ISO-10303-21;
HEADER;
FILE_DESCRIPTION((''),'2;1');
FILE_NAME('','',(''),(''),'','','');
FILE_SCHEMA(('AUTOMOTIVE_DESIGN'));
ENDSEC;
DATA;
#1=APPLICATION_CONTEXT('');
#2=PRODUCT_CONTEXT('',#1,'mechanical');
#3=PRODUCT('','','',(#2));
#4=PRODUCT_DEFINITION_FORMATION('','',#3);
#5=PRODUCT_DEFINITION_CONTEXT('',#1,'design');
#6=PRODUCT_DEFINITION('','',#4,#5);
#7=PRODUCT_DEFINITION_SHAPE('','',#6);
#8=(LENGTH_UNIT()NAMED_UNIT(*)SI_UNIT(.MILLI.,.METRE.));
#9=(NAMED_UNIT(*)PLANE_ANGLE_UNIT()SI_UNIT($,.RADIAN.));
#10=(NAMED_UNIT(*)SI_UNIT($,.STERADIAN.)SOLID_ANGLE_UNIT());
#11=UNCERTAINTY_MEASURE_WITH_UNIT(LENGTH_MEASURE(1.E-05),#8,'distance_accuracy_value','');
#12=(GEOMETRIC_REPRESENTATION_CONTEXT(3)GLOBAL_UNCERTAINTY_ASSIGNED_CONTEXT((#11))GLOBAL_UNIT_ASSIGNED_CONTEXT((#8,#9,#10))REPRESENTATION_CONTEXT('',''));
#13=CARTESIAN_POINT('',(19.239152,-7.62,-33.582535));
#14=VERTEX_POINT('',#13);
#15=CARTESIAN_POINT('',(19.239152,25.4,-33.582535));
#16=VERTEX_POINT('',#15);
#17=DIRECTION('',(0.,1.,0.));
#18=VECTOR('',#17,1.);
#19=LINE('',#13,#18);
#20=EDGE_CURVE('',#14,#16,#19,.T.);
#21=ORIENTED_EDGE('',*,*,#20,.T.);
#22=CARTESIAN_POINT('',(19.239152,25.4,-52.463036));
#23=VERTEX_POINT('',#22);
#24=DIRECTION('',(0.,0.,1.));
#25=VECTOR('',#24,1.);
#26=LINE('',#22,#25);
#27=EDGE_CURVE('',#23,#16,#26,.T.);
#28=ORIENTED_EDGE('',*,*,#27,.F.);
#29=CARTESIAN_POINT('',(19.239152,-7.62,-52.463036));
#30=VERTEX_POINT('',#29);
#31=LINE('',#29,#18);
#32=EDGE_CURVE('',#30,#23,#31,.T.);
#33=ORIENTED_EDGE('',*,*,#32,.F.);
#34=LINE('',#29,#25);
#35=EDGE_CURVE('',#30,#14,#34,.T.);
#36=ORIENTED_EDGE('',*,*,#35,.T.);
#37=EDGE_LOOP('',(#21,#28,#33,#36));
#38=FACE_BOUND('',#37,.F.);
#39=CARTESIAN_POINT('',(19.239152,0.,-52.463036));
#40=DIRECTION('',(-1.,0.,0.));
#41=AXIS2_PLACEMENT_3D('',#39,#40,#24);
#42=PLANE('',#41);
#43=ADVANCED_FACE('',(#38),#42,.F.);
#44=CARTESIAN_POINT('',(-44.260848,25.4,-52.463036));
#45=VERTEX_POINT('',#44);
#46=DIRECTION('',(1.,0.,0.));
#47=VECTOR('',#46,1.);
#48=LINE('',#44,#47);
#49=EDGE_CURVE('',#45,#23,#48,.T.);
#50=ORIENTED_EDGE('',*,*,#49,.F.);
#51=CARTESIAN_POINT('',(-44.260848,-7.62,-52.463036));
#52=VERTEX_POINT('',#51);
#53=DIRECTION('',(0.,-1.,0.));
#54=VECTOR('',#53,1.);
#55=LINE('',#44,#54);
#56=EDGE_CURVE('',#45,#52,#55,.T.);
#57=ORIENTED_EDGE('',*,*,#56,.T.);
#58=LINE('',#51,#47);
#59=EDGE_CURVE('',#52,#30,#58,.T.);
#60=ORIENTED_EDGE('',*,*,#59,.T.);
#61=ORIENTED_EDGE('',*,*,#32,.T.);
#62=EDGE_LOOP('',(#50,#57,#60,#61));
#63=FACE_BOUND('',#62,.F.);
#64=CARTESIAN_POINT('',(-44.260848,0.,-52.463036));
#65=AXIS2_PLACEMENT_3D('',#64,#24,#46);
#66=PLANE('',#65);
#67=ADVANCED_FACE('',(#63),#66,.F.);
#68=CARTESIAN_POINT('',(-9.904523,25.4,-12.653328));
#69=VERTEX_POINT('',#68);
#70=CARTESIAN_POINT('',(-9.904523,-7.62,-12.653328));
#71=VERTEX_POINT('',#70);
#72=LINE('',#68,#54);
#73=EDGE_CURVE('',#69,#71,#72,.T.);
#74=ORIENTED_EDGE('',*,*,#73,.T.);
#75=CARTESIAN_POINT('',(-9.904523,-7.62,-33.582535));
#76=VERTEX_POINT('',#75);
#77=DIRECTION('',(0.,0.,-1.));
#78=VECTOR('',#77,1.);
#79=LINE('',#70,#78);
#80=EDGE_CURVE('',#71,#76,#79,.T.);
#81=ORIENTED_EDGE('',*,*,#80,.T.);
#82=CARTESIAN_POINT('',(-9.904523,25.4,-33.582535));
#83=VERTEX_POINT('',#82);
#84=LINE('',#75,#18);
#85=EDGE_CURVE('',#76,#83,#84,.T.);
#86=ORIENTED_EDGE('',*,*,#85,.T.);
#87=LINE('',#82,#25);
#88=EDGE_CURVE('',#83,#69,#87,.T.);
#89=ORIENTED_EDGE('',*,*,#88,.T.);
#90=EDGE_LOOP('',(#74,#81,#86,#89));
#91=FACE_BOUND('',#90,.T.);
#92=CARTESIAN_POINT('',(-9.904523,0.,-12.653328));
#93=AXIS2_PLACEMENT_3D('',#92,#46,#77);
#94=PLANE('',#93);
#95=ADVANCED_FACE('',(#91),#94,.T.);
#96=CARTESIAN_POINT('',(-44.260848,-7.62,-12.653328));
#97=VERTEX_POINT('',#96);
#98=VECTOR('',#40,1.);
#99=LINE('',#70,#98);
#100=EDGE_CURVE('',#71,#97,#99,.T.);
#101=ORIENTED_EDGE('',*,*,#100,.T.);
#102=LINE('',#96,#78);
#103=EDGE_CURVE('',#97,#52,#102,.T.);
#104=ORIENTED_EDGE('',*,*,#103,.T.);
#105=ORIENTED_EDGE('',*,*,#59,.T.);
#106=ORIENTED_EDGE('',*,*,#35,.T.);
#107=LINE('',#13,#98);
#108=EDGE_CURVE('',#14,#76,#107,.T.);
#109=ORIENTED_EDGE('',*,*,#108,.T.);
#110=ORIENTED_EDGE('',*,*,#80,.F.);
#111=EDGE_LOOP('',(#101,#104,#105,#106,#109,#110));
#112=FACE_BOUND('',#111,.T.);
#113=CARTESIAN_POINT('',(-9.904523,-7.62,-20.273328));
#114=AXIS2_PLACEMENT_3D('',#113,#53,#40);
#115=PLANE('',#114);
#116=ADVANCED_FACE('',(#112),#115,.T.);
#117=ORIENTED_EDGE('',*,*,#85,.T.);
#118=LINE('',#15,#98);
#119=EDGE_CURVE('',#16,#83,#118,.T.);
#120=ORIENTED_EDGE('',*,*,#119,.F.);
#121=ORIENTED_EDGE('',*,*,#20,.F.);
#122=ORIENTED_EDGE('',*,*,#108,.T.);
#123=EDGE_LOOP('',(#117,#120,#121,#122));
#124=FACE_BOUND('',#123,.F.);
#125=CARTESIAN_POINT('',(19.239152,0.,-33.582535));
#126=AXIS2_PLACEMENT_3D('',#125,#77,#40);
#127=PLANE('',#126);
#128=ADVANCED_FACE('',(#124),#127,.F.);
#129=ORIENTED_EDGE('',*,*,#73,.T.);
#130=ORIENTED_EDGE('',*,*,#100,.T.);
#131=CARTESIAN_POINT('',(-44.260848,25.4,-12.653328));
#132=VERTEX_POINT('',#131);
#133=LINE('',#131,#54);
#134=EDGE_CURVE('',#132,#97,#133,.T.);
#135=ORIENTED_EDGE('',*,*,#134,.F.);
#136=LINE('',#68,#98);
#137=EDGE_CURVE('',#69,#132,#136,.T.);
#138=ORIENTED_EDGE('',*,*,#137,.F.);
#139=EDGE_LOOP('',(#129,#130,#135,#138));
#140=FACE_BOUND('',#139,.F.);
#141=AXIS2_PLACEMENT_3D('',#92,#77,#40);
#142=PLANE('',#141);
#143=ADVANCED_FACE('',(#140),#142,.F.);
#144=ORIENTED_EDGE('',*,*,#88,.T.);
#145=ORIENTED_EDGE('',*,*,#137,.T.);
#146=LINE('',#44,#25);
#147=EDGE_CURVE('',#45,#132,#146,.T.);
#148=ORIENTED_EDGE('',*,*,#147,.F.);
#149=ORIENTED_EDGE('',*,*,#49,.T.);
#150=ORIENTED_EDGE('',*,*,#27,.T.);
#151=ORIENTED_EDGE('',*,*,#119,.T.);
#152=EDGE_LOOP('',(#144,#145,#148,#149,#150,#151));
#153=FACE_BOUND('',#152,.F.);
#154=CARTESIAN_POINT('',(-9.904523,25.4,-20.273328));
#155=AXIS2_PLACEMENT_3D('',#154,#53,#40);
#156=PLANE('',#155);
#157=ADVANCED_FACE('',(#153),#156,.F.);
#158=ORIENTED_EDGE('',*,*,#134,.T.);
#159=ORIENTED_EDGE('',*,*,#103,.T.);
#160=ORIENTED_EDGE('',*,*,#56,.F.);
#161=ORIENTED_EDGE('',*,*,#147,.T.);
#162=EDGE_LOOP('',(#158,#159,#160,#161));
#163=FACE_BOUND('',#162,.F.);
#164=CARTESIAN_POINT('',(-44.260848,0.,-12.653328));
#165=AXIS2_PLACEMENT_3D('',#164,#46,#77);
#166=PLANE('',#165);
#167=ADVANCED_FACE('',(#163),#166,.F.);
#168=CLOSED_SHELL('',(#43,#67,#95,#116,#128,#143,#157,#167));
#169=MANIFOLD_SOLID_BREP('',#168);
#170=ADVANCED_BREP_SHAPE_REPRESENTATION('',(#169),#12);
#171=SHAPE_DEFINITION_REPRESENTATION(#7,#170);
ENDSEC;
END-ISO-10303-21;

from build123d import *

# Parameters (mm, degrees)
F1_DEPTH = 25.4
F2_DEPTH = 7.62
F3_DEPTH = 7.62


with BuildPart() as f1:
    # F0 (on Front) → F1 (new body)
    with BuildSketch(Plane.XZ):
        Polygon((-9.9045233801, -20.2733278275), (-44.2608483136, -20.2733278275), (-44.2608483136, -52.4630360305), (19.2391516864, -52.4630360305), (19.2391516864, -33.582534641), (-9.9045233801, -33.582534641), align=None)
    extrude(amount=-F1_DEPTH)

    # F2 (add): a face of the model
    f2_faces = [f1.faces().sort_by_distance(p)[0] for p in [
        (-27.0826858468, 12.7, -20.2733278275),
    ]]
    extrude(f2_faces, amount=F2_DEPTH)

    # F3 (add): a face of the model
    f3_faces = [f1.faces().sort_by_distance(p)[0] for p in [
        (-17.9738795934, 0, -35.5603880692),
    ]]
    extrude(f3_faces, amount=F3_DEPTH)


solid = f1.part
